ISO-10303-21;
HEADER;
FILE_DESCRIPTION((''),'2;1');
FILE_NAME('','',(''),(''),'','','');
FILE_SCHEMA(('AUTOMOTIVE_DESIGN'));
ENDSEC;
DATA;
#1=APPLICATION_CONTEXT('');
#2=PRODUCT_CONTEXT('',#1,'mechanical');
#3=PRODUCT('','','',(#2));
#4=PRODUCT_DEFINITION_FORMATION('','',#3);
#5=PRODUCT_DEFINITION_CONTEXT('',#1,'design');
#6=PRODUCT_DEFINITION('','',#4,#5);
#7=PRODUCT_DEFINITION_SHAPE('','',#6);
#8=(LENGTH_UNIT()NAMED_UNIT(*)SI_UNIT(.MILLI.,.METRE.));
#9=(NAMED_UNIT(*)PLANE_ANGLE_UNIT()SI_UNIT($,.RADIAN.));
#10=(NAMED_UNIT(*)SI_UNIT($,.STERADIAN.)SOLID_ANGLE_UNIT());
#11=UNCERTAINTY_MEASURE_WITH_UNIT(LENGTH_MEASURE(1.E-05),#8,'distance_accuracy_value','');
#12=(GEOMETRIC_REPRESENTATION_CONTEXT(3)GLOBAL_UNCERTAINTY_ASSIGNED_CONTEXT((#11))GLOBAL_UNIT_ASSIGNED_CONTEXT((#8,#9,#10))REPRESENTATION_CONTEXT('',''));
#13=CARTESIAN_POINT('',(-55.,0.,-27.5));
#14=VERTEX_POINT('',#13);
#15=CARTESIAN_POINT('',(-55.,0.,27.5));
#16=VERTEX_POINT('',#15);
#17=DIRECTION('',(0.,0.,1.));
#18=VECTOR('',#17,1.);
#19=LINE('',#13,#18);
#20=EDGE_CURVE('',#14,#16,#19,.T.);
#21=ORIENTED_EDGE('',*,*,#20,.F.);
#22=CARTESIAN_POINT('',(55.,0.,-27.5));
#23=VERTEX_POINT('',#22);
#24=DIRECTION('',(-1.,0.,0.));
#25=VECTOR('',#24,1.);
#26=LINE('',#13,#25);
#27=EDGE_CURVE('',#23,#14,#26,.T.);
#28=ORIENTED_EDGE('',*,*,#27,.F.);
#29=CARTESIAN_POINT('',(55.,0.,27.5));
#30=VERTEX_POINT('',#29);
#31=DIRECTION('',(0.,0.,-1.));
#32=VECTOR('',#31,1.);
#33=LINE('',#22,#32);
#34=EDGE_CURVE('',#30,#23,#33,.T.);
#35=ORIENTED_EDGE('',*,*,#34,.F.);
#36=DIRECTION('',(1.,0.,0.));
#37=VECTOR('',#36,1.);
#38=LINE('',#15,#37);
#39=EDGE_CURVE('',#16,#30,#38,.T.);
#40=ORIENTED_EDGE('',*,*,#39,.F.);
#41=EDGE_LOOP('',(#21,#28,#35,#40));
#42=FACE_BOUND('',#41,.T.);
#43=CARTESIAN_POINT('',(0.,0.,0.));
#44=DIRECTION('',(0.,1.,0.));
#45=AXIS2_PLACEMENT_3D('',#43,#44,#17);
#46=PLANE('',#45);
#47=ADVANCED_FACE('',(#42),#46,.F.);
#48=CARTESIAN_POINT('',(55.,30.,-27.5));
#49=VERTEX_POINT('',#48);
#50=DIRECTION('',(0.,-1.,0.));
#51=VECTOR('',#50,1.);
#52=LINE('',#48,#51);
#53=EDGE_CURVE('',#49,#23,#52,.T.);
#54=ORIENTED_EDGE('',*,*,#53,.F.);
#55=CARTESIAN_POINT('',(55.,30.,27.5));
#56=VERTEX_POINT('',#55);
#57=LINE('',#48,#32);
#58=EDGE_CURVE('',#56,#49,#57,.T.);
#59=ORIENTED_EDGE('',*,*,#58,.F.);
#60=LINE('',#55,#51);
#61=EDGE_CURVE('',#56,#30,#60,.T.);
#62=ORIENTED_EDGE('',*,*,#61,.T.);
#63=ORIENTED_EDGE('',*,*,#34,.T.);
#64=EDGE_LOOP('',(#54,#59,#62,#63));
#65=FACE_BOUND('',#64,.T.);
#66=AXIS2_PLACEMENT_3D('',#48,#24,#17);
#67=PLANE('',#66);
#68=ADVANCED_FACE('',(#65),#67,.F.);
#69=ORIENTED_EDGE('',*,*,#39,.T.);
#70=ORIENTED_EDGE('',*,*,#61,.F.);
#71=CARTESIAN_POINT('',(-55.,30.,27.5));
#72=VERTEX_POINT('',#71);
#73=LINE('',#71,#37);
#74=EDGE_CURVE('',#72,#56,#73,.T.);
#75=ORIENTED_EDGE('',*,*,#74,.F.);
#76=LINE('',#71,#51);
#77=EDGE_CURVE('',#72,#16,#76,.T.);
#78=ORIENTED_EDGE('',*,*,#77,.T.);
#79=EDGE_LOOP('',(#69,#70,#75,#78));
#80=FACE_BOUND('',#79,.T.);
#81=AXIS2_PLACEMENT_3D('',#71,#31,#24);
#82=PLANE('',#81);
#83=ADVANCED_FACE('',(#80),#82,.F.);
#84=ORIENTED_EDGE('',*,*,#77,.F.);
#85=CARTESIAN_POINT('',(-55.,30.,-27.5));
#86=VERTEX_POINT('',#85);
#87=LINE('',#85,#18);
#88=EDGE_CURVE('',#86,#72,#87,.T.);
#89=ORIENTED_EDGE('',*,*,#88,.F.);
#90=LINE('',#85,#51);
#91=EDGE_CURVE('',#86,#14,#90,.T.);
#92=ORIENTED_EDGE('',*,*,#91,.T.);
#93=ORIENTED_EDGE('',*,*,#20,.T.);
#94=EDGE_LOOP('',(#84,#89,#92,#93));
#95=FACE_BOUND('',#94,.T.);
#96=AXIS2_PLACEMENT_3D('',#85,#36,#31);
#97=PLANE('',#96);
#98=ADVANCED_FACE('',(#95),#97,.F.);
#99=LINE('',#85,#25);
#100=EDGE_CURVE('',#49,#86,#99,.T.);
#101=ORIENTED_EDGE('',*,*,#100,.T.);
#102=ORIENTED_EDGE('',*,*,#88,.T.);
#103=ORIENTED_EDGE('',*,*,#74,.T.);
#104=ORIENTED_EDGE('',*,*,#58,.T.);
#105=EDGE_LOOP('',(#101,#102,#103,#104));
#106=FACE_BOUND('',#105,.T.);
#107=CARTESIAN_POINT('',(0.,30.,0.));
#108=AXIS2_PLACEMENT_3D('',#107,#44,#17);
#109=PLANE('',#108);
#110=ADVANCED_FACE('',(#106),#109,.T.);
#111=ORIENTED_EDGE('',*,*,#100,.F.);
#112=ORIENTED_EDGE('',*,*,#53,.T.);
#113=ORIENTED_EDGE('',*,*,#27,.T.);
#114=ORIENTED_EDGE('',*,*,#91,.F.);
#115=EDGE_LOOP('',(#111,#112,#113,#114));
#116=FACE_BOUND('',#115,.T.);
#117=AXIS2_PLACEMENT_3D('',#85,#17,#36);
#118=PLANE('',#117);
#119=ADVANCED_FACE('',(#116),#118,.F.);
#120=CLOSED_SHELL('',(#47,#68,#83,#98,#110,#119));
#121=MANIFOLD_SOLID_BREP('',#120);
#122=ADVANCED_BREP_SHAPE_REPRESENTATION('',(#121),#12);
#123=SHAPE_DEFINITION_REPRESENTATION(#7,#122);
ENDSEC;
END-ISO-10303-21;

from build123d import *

# Parameters (mm, degrees)
SKETCH_1_W      = 110
SKETCH_1_H      = 55
EXTRUDE_1_DEPTH = 30


with BuildPart() as part:
    # 草图1 → 凸台-拉伸1 (new body)
    with BuildSketch(Plane(origin=(0, 0, 0), x_dir=(1, 0, 0), z_dir=(0, 1, 0))):
        Rectangle(SKETCH_1_W, SKETCH_1_H)
    extrude(amount=EXTRUDE_1_DEPTH)


solid = part.part
